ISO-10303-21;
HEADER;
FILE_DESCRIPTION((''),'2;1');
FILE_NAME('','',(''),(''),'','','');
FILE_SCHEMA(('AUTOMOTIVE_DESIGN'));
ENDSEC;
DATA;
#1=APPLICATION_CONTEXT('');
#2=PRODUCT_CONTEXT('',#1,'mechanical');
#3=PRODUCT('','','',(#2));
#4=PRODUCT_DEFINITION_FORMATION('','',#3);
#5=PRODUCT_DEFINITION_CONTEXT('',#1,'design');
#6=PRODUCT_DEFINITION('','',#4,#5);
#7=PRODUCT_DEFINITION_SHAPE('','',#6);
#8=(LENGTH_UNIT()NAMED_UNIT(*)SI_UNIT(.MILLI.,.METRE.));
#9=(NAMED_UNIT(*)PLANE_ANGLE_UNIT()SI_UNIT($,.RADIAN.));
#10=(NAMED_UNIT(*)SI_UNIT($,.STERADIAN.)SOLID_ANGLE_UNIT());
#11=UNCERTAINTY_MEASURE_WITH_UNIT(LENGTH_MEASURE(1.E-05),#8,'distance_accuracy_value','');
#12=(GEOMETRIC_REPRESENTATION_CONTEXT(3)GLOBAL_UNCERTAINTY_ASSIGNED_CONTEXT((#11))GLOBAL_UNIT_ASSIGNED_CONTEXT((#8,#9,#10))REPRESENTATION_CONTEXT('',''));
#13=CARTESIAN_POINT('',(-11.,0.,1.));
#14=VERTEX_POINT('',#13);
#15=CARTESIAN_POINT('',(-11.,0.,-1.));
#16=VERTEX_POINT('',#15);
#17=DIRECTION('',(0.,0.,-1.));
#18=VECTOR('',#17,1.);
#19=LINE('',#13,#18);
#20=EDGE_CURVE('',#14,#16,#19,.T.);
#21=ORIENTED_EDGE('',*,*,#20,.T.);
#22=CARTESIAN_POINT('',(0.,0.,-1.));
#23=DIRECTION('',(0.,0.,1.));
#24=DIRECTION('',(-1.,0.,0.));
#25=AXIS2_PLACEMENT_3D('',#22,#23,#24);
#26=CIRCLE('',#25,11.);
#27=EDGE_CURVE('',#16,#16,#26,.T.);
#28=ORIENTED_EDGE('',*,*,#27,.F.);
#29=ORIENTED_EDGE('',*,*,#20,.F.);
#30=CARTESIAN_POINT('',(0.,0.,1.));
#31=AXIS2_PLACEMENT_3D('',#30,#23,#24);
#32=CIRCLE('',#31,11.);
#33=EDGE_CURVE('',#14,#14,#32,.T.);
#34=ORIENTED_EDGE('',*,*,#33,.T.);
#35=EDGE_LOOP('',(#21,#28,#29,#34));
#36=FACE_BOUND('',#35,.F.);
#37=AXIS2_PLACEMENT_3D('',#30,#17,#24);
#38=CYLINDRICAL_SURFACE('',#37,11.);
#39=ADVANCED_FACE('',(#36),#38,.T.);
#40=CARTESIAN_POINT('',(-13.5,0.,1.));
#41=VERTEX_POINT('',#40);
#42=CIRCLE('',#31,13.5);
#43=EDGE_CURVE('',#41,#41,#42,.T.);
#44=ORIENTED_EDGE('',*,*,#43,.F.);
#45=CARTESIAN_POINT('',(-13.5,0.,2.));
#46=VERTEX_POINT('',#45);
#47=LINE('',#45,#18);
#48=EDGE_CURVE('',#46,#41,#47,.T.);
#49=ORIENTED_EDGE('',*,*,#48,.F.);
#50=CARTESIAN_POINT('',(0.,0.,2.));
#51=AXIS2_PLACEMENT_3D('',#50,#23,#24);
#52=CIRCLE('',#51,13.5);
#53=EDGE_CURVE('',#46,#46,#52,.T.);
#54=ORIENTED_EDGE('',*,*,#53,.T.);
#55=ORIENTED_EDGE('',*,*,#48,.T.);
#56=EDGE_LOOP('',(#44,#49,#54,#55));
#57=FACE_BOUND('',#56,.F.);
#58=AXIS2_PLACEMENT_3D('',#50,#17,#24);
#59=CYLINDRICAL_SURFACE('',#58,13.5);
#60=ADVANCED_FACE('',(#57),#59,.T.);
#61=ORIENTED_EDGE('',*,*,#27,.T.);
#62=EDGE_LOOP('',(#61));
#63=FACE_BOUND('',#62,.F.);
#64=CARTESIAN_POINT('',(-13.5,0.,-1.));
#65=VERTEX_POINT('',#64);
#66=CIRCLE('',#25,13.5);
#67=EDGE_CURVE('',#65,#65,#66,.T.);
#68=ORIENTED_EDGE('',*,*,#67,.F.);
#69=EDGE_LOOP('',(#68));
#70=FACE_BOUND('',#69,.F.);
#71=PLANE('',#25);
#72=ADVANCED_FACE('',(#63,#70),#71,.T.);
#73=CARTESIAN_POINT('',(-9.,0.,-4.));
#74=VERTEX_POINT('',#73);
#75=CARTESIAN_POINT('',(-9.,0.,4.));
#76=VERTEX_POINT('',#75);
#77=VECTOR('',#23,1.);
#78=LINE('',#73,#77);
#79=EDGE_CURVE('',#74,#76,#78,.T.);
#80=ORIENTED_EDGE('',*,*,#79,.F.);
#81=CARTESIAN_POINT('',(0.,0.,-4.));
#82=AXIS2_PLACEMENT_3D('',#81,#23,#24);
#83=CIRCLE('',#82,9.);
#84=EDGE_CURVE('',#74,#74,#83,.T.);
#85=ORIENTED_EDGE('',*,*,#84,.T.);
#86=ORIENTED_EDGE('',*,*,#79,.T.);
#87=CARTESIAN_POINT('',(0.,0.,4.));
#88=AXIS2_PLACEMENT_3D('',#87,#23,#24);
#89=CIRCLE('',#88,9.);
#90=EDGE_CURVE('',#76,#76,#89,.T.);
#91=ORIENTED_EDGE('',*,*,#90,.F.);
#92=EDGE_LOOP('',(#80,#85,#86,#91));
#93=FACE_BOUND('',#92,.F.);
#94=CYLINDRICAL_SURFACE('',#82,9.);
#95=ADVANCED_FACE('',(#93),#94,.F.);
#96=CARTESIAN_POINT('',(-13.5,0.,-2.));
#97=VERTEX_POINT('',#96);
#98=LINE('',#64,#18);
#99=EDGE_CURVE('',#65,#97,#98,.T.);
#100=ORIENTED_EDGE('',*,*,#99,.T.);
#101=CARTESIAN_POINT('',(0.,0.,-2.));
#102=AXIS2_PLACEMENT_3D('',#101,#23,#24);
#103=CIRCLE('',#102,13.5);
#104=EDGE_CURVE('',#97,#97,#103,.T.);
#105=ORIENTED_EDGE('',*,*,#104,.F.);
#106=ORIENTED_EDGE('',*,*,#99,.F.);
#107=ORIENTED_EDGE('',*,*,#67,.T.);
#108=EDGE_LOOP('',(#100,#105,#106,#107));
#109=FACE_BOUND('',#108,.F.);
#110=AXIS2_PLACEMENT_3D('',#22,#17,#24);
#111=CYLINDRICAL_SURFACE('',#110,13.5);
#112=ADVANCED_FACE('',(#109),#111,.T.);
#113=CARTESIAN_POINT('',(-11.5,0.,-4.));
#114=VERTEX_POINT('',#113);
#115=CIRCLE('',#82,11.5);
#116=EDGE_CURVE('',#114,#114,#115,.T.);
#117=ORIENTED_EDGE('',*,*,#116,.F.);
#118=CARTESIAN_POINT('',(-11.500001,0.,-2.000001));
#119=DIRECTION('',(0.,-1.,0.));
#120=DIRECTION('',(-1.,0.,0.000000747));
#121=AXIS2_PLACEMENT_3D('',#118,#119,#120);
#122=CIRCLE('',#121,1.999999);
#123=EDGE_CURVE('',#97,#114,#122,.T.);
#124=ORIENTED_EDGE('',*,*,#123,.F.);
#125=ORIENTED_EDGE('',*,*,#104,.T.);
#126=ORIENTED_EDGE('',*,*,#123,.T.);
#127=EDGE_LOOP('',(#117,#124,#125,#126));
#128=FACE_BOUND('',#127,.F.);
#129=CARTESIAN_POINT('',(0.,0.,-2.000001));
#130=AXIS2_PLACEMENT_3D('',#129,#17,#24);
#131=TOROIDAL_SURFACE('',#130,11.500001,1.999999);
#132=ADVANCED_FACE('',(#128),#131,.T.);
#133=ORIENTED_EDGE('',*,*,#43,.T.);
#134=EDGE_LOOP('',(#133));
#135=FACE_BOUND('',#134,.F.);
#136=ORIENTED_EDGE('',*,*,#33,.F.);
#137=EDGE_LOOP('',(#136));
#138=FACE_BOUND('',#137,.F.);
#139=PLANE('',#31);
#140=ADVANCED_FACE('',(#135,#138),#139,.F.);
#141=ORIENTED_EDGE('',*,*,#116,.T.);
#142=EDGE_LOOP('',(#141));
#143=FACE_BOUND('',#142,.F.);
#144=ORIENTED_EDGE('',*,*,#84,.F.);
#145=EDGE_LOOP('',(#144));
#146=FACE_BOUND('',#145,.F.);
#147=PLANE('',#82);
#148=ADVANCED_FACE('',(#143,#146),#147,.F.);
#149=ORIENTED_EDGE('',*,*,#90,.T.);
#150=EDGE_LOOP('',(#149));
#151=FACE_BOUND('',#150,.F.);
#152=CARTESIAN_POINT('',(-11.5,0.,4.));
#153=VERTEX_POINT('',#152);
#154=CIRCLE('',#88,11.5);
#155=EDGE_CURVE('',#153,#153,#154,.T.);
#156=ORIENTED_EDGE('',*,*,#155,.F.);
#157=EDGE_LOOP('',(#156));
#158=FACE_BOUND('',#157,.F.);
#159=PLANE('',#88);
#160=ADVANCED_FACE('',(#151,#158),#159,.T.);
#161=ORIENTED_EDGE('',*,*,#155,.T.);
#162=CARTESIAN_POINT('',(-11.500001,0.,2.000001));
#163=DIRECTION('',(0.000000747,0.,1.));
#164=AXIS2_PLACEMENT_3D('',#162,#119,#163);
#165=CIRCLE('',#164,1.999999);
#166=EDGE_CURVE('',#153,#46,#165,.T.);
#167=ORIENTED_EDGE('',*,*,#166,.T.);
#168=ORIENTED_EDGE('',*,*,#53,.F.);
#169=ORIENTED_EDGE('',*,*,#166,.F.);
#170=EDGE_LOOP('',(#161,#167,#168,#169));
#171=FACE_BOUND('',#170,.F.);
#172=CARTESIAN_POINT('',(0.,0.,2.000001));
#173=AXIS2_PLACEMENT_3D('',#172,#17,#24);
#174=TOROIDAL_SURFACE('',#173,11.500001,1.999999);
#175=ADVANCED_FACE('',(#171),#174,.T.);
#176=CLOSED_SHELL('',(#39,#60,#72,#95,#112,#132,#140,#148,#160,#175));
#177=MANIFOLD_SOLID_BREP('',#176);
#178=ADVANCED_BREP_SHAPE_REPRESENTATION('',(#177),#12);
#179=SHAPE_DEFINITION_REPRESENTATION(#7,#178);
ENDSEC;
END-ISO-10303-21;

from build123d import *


with BuildPart() as f1:
    # F0 (on Front) → F1 (revolve)
    with BuildSketch(Plane.XZ):
        with BuildLine():
            Line((-9, -4), (-9, 4))
            Line((-9, 4), (-11.5, 4))
            ThreePointArc((-11.5, 4), (-12.914214, 3.414214), (-13.5, 2))
            Line((-13.5, 2), (-13.5, 1))
            Line((-13.5, 1), (-11, 1))
            Line((-11, 1), (-11, -1))
            Line((-11, -1), (-13.5, -1))
            Line((-13.5, -1), (-13.5, -2))
            ThreePointArc((-13.5, -2), (-12.914214, -3.414214), (-11.5, -4))
            Line((-11.5, -4), (-9, -4))
        make_face()
    revolve(axis=Axis((0, 0, -0.598291), (0, 0, 1)))


solid = f1.part
